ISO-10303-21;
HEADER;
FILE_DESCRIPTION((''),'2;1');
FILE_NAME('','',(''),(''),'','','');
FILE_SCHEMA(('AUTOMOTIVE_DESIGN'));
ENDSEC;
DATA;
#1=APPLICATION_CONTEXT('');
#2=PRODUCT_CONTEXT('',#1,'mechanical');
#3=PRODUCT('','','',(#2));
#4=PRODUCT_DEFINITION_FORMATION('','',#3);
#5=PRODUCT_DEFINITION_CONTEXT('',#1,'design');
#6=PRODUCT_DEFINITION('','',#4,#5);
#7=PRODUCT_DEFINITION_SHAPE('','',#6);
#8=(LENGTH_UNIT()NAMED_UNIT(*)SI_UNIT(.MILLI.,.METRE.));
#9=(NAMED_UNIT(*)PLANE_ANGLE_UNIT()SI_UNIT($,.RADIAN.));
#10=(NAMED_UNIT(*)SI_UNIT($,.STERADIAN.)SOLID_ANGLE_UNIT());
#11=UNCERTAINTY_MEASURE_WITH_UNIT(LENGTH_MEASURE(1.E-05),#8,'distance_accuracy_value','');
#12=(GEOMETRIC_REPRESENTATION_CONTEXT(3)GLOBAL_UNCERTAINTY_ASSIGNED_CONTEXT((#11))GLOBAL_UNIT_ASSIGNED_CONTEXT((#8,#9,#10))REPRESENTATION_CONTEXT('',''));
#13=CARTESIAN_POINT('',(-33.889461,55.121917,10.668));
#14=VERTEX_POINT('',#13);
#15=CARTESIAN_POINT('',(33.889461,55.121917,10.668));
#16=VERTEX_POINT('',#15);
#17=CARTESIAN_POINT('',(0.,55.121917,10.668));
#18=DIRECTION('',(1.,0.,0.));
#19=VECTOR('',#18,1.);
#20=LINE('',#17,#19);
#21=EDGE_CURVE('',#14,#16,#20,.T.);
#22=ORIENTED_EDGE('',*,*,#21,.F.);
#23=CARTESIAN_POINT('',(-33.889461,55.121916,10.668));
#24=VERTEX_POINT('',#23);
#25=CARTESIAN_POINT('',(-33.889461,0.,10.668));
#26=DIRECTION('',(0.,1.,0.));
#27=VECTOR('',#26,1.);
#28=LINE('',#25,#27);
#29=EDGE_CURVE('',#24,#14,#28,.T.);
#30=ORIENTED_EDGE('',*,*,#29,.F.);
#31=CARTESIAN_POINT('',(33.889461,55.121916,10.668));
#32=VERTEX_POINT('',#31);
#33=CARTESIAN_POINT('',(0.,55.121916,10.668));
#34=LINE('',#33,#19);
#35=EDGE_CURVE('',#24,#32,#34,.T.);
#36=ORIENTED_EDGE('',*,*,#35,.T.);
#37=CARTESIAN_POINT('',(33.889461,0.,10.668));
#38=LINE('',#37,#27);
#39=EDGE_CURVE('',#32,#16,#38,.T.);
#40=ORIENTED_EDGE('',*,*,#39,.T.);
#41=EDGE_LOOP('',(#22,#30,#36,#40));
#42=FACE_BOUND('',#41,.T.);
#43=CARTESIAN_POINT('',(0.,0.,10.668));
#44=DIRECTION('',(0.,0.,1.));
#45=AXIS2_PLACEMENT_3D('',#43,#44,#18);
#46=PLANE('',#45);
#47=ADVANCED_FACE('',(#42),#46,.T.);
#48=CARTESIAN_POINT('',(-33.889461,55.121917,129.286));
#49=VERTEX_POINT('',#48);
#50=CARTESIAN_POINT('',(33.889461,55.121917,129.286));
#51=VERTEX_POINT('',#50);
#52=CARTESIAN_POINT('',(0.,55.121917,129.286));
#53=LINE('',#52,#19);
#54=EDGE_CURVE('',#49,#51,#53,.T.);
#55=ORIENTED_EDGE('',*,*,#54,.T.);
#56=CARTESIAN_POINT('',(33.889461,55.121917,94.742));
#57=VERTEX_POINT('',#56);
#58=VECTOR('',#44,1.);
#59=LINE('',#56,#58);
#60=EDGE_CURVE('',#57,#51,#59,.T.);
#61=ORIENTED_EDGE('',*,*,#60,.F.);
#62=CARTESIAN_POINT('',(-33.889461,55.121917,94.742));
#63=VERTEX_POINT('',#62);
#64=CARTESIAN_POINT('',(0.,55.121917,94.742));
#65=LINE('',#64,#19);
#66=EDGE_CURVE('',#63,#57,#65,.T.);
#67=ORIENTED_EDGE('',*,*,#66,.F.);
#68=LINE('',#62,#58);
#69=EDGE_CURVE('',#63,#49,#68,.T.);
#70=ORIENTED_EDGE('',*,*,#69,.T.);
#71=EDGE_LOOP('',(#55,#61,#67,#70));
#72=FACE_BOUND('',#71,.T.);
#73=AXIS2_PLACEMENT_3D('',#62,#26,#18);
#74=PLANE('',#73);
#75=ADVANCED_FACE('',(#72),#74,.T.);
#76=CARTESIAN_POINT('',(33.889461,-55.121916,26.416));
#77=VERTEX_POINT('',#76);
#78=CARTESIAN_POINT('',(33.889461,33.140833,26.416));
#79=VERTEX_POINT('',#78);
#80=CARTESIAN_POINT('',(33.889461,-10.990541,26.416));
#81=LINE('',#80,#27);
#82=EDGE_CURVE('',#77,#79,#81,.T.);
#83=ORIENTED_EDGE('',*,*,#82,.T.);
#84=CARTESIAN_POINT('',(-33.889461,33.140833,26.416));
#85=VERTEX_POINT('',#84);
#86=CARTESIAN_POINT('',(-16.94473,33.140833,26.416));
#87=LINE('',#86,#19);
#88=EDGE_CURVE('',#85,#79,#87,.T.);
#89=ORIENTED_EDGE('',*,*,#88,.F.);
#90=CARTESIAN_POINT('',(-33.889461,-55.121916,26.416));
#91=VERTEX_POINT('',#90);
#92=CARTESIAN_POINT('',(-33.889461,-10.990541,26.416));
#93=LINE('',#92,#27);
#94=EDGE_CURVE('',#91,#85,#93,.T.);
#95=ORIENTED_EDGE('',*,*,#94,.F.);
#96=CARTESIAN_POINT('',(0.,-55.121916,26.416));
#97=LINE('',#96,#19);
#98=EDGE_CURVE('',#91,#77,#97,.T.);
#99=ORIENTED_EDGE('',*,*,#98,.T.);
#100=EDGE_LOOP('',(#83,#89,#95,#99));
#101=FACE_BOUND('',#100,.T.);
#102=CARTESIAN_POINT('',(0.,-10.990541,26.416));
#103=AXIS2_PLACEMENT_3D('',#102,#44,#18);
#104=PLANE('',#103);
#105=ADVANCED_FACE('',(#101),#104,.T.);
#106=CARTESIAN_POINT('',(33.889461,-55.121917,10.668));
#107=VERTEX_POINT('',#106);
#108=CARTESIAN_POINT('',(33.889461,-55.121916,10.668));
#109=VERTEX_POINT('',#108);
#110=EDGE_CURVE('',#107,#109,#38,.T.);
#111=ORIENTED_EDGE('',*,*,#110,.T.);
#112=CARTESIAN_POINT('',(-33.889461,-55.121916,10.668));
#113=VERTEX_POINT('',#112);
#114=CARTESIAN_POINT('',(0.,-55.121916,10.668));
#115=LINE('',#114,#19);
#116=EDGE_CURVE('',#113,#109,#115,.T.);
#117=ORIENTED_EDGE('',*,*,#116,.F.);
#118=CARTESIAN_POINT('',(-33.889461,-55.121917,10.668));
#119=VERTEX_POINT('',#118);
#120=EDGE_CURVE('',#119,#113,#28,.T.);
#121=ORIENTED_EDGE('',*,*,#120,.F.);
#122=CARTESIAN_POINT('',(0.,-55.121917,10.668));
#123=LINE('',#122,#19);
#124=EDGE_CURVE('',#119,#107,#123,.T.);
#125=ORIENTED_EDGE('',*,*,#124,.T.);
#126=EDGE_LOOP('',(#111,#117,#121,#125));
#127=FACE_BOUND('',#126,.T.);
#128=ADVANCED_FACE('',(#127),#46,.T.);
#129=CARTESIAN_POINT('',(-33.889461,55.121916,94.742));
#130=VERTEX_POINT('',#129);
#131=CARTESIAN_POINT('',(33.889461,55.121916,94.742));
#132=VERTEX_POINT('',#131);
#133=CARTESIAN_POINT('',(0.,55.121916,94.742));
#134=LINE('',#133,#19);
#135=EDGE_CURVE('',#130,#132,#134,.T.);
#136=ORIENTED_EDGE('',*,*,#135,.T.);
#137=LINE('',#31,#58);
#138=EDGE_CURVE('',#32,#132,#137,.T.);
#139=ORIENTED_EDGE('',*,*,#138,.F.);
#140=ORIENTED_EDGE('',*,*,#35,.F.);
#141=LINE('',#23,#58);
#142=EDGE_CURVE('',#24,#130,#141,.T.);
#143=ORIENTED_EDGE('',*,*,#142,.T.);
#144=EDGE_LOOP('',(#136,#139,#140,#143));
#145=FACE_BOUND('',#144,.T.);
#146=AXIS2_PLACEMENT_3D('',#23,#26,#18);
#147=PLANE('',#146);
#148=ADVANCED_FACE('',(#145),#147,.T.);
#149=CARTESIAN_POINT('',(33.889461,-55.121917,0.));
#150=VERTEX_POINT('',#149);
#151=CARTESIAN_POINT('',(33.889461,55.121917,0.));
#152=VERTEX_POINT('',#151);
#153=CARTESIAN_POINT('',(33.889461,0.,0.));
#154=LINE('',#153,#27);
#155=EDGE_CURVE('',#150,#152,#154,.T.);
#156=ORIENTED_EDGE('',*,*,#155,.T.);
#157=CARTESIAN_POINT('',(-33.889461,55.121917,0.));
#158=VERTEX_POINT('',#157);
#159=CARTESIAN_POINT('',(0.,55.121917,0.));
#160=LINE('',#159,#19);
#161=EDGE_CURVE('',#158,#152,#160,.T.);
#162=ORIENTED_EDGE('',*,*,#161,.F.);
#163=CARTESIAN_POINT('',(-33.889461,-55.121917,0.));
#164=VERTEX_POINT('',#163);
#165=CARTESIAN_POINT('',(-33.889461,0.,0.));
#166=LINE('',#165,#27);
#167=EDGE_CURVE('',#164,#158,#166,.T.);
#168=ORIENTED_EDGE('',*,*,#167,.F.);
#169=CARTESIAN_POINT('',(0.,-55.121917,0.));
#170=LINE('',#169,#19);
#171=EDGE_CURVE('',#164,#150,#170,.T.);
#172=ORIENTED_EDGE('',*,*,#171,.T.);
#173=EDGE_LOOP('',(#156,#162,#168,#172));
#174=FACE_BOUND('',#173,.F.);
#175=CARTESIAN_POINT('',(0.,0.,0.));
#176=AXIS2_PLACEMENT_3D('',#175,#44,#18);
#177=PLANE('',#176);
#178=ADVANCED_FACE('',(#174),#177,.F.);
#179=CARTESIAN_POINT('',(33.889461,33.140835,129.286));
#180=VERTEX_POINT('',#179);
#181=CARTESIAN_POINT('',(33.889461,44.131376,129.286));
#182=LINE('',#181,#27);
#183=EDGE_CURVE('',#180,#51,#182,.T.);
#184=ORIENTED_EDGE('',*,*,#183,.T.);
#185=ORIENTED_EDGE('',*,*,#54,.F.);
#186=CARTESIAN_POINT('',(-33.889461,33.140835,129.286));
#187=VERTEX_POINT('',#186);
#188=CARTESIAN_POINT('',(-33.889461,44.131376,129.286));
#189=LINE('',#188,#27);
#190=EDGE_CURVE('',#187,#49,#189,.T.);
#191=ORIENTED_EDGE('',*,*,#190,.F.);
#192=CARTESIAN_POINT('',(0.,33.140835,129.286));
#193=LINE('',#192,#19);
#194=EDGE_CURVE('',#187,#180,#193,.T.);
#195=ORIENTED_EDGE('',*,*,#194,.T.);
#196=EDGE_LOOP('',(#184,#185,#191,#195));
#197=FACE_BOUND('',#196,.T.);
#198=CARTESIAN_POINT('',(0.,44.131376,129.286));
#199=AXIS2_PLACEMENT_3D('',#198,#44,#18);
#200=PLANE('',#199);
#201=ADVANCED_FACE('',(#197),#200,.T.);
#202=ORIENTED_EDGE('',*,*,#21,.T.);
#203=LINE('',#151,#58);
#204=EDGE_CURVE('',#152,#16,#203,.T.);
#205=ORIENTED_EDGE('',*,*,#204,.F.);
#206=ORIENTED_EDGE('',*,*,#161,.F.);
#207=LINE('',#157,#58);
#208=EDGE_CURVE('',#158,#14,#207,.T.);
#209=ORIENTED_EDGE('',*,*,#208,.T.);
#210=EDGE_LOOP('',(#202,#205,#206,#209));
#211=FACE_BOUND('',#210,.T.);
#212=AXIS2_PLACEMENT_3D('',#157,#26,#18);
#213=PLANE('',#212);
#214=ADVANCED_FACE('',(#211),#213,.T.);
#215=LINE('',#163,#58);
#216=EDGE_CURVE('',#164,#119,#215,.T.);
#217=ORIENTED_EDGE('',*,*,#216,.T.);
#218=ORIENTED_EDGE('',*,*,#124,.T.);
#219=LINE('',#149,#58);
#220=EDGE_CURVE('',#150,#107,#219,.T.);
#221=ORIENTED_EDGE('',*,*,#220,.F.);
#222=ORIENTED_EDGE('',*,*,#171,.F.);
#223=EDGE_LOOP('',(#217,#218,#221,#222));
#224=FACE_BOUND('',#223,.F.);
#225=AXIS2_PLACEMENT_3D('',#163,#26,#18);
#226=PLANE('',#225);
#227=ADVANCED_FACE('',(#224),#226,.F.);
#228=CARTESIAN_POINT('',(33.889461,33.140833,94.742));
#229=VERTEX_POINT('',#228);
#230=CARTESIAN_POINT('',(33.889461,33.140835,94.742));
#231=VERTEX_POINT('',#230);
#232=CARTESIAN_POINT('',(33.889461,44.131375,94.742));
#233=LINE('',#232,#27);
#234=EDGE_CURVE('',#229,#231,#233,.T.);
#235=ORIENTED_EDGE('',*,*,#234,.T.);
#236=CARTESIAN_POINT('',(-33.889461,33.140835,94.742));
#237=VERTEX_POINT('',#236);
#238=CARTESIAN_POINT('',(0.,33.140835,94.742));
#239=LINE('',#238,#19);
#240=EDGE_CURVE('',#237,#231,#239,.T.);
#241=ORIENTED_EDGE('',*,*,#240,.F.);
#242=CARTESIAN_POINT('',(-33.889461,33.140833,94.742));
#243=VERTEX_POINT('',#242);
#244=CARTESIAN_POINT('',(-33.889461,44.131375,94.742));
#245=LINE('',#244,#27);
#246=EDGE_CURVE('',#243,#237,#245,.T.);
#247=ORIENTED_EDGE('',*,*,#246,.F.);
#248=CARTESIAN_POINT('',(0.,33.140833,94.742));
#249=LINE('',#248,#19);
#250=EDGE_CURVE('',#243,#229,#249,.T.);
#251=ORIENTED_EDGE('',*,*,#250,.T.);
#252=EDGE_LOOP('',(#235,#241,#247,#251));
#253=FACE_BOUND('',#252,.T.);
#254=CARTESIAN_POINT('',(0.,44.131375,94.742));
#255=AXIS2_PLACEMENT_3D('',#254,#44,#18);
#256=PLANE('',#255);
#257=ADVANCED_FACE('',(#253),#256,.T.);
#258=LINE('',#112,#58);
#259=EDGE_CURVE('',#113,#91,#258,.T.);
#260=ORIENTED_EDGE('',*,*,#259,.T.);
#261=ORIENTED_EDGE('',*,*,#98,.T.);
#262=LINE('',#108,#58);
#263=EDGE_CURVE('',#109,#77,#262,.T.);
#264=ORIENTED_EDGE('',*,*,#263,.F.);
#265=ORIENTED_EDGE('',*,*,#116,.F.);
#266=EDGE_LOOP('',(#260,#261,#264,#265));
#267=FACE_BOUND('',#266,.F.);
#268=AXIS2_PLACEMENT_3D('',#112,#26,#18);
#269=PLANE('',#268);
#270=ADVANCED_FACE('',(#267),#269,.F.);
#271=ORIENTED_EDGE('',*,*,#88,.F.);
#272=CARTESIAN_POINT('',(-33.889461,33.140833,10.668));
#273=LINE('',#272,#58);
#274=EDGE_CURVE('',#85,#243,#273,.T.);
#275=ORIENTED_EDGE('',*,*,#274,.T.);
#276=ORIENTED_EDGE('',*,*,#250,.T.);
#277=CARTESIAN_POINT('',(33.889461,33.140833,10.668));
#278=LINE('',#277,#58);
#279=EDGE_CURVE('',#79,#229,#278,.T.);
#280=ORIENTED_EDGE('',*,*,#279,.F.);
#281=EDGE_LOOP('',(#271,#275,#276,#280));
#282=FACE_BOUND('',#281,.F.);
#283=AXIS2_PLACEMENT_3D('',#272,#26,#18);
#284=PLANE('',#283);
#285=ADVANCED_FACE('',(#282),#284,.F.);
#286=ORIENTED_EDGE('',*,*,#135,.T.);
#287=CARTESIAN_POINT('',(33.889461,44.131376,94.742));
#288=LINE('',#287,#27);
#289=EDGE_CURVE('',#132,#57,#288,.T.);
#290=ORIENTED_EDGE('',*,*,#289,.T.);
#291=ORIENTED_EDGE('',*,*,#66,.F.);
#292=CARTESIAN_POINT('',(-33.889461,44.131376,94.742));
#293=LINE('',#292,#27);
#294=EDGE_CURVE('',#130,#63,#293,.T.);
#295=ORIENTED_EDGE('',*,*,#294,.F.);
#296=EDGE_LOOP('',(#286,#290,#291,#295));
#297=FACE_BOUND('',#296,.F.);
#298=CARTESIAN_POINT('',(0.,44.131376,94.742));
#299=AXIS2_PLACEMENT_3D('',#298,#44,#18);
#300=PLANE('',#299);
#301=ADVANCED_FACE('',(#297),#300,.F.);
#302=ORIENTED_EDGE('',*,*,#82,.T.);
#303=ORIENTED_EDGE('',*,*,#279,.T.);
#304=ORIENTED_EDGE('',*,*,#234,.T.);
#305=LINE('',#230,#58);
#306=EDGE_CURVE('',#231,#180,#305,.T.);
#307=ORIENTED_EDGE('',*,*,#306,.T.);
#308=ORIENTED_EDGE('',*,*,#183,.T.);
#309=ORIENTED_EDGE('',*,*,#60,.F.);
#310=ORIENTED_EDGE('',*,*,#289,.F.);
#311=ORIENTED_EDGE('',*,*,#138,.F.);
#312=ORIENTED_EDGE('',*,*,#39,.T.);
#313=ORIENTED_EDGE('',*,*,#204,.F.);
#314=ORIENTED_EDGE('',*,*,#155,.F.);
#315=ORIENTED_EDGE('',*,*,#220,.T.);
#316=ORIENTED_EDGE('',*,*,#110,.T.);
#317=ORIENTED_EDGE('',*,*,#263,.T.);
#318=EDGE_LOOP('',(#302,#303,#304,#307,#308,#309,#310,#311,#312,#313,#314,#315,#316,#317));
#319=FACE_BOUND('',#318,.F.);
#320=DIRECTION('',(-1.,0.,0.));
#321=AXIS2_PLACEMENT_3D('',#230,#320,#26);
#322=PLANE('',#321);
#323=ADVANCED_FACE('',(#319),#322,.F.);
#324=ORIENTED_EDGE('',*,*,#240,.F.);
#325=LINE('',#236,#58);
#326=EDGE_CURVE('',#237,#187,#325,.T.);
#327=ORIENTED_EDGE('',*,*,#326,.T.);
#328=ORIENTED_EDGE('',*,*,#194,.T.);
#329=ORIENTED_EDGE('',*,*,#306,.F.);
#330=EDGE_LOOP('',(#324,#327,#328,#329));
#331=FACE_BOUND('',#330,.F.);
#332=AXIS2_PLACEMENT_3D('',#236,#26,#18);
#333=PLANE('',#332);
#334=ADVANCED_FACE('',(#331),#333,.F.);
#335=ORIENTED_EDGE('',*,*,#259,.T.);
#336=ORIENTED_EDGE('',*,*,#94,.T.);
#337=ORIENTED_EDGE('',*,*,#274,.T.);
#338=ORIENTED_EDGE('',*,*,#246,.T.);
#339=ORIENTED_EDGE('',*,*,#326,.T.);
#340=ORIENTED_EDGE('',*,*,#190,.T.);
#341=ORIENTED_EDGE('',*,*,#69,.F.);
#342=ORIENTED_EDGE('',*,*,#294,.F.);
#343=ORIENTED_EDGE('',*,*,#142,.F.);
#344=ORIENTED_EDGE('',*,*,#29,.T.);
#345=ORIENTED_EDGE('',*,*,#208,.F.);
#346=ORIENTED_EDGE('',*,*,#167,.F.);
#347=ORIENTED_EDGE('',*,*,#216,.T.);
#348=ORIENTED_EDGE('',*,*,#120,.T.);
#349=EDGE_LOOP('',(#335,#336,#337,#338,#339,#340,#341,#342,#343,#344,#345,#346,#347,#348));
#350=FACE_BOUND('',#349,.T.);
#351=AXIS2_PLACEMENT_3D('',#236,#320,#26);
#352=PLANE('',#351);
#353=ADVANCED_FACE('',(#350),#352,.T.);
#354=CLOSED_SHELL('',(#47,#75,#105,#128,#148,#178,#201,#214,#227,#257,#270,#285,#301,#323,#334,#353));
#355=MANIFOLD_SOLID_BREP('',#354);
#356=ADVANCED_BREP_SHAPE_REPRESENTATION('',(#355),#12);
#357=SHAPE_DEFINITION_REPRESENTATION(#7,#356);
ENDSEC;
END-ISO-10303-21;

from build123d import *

# Parameters (mm, degrees)
F0_W      = 67.778922
F0_H      = 110.243834
F1_DEPTH  = 10.668
F2_W      = 67.778922
F2_H      = 21.981083
F3_DEPTH  = 84.074
F1_FACE_W = 67.778922
F1_FACE_H = 88.262751
F4_DEPTH  = 15.748
F3_FACE_W = 67.778922
F3_FACE_H = 21.981082
F5_DEPTH  = 34.544


with BuildPart() as f1:
    # F0 (on Top) → F1 (new body)
    with BuildSketch(Plane.XY):
        Rectangle(F0_W, F0_H)
    extrude(amount=F1_DEPTH)

    # F2 (on face) → F3 (join)
    with BuildSketch(Plane.XY.offset(10.668)):
        with Locations((0, 44.131375)):
            Rectangle(F2_W, F2_H)
    extrude(amount=F3_DEPTH)

    # F1_face (on face) → F4 (join)
    with BuildSketch(Plane.XY.offset(10.668)):
        with Locations((0, -10.990541)):
            Rectangle(F1_FACE_W, F1_FACE_H)
    extrude(amount=F4_DEPTH)

    # F3_face (on face) → F5 (join)
    with BuildSketch(Plane(origin=(0, 44.131376, 94.742), x_dir=(1, 0, 0), z_dir=(0, 0, 1))):
        Rectangle(F3_FACE_W, F3_FACE_H)
    extrude(amount=F5_DEPTH)


solid = f1.part
